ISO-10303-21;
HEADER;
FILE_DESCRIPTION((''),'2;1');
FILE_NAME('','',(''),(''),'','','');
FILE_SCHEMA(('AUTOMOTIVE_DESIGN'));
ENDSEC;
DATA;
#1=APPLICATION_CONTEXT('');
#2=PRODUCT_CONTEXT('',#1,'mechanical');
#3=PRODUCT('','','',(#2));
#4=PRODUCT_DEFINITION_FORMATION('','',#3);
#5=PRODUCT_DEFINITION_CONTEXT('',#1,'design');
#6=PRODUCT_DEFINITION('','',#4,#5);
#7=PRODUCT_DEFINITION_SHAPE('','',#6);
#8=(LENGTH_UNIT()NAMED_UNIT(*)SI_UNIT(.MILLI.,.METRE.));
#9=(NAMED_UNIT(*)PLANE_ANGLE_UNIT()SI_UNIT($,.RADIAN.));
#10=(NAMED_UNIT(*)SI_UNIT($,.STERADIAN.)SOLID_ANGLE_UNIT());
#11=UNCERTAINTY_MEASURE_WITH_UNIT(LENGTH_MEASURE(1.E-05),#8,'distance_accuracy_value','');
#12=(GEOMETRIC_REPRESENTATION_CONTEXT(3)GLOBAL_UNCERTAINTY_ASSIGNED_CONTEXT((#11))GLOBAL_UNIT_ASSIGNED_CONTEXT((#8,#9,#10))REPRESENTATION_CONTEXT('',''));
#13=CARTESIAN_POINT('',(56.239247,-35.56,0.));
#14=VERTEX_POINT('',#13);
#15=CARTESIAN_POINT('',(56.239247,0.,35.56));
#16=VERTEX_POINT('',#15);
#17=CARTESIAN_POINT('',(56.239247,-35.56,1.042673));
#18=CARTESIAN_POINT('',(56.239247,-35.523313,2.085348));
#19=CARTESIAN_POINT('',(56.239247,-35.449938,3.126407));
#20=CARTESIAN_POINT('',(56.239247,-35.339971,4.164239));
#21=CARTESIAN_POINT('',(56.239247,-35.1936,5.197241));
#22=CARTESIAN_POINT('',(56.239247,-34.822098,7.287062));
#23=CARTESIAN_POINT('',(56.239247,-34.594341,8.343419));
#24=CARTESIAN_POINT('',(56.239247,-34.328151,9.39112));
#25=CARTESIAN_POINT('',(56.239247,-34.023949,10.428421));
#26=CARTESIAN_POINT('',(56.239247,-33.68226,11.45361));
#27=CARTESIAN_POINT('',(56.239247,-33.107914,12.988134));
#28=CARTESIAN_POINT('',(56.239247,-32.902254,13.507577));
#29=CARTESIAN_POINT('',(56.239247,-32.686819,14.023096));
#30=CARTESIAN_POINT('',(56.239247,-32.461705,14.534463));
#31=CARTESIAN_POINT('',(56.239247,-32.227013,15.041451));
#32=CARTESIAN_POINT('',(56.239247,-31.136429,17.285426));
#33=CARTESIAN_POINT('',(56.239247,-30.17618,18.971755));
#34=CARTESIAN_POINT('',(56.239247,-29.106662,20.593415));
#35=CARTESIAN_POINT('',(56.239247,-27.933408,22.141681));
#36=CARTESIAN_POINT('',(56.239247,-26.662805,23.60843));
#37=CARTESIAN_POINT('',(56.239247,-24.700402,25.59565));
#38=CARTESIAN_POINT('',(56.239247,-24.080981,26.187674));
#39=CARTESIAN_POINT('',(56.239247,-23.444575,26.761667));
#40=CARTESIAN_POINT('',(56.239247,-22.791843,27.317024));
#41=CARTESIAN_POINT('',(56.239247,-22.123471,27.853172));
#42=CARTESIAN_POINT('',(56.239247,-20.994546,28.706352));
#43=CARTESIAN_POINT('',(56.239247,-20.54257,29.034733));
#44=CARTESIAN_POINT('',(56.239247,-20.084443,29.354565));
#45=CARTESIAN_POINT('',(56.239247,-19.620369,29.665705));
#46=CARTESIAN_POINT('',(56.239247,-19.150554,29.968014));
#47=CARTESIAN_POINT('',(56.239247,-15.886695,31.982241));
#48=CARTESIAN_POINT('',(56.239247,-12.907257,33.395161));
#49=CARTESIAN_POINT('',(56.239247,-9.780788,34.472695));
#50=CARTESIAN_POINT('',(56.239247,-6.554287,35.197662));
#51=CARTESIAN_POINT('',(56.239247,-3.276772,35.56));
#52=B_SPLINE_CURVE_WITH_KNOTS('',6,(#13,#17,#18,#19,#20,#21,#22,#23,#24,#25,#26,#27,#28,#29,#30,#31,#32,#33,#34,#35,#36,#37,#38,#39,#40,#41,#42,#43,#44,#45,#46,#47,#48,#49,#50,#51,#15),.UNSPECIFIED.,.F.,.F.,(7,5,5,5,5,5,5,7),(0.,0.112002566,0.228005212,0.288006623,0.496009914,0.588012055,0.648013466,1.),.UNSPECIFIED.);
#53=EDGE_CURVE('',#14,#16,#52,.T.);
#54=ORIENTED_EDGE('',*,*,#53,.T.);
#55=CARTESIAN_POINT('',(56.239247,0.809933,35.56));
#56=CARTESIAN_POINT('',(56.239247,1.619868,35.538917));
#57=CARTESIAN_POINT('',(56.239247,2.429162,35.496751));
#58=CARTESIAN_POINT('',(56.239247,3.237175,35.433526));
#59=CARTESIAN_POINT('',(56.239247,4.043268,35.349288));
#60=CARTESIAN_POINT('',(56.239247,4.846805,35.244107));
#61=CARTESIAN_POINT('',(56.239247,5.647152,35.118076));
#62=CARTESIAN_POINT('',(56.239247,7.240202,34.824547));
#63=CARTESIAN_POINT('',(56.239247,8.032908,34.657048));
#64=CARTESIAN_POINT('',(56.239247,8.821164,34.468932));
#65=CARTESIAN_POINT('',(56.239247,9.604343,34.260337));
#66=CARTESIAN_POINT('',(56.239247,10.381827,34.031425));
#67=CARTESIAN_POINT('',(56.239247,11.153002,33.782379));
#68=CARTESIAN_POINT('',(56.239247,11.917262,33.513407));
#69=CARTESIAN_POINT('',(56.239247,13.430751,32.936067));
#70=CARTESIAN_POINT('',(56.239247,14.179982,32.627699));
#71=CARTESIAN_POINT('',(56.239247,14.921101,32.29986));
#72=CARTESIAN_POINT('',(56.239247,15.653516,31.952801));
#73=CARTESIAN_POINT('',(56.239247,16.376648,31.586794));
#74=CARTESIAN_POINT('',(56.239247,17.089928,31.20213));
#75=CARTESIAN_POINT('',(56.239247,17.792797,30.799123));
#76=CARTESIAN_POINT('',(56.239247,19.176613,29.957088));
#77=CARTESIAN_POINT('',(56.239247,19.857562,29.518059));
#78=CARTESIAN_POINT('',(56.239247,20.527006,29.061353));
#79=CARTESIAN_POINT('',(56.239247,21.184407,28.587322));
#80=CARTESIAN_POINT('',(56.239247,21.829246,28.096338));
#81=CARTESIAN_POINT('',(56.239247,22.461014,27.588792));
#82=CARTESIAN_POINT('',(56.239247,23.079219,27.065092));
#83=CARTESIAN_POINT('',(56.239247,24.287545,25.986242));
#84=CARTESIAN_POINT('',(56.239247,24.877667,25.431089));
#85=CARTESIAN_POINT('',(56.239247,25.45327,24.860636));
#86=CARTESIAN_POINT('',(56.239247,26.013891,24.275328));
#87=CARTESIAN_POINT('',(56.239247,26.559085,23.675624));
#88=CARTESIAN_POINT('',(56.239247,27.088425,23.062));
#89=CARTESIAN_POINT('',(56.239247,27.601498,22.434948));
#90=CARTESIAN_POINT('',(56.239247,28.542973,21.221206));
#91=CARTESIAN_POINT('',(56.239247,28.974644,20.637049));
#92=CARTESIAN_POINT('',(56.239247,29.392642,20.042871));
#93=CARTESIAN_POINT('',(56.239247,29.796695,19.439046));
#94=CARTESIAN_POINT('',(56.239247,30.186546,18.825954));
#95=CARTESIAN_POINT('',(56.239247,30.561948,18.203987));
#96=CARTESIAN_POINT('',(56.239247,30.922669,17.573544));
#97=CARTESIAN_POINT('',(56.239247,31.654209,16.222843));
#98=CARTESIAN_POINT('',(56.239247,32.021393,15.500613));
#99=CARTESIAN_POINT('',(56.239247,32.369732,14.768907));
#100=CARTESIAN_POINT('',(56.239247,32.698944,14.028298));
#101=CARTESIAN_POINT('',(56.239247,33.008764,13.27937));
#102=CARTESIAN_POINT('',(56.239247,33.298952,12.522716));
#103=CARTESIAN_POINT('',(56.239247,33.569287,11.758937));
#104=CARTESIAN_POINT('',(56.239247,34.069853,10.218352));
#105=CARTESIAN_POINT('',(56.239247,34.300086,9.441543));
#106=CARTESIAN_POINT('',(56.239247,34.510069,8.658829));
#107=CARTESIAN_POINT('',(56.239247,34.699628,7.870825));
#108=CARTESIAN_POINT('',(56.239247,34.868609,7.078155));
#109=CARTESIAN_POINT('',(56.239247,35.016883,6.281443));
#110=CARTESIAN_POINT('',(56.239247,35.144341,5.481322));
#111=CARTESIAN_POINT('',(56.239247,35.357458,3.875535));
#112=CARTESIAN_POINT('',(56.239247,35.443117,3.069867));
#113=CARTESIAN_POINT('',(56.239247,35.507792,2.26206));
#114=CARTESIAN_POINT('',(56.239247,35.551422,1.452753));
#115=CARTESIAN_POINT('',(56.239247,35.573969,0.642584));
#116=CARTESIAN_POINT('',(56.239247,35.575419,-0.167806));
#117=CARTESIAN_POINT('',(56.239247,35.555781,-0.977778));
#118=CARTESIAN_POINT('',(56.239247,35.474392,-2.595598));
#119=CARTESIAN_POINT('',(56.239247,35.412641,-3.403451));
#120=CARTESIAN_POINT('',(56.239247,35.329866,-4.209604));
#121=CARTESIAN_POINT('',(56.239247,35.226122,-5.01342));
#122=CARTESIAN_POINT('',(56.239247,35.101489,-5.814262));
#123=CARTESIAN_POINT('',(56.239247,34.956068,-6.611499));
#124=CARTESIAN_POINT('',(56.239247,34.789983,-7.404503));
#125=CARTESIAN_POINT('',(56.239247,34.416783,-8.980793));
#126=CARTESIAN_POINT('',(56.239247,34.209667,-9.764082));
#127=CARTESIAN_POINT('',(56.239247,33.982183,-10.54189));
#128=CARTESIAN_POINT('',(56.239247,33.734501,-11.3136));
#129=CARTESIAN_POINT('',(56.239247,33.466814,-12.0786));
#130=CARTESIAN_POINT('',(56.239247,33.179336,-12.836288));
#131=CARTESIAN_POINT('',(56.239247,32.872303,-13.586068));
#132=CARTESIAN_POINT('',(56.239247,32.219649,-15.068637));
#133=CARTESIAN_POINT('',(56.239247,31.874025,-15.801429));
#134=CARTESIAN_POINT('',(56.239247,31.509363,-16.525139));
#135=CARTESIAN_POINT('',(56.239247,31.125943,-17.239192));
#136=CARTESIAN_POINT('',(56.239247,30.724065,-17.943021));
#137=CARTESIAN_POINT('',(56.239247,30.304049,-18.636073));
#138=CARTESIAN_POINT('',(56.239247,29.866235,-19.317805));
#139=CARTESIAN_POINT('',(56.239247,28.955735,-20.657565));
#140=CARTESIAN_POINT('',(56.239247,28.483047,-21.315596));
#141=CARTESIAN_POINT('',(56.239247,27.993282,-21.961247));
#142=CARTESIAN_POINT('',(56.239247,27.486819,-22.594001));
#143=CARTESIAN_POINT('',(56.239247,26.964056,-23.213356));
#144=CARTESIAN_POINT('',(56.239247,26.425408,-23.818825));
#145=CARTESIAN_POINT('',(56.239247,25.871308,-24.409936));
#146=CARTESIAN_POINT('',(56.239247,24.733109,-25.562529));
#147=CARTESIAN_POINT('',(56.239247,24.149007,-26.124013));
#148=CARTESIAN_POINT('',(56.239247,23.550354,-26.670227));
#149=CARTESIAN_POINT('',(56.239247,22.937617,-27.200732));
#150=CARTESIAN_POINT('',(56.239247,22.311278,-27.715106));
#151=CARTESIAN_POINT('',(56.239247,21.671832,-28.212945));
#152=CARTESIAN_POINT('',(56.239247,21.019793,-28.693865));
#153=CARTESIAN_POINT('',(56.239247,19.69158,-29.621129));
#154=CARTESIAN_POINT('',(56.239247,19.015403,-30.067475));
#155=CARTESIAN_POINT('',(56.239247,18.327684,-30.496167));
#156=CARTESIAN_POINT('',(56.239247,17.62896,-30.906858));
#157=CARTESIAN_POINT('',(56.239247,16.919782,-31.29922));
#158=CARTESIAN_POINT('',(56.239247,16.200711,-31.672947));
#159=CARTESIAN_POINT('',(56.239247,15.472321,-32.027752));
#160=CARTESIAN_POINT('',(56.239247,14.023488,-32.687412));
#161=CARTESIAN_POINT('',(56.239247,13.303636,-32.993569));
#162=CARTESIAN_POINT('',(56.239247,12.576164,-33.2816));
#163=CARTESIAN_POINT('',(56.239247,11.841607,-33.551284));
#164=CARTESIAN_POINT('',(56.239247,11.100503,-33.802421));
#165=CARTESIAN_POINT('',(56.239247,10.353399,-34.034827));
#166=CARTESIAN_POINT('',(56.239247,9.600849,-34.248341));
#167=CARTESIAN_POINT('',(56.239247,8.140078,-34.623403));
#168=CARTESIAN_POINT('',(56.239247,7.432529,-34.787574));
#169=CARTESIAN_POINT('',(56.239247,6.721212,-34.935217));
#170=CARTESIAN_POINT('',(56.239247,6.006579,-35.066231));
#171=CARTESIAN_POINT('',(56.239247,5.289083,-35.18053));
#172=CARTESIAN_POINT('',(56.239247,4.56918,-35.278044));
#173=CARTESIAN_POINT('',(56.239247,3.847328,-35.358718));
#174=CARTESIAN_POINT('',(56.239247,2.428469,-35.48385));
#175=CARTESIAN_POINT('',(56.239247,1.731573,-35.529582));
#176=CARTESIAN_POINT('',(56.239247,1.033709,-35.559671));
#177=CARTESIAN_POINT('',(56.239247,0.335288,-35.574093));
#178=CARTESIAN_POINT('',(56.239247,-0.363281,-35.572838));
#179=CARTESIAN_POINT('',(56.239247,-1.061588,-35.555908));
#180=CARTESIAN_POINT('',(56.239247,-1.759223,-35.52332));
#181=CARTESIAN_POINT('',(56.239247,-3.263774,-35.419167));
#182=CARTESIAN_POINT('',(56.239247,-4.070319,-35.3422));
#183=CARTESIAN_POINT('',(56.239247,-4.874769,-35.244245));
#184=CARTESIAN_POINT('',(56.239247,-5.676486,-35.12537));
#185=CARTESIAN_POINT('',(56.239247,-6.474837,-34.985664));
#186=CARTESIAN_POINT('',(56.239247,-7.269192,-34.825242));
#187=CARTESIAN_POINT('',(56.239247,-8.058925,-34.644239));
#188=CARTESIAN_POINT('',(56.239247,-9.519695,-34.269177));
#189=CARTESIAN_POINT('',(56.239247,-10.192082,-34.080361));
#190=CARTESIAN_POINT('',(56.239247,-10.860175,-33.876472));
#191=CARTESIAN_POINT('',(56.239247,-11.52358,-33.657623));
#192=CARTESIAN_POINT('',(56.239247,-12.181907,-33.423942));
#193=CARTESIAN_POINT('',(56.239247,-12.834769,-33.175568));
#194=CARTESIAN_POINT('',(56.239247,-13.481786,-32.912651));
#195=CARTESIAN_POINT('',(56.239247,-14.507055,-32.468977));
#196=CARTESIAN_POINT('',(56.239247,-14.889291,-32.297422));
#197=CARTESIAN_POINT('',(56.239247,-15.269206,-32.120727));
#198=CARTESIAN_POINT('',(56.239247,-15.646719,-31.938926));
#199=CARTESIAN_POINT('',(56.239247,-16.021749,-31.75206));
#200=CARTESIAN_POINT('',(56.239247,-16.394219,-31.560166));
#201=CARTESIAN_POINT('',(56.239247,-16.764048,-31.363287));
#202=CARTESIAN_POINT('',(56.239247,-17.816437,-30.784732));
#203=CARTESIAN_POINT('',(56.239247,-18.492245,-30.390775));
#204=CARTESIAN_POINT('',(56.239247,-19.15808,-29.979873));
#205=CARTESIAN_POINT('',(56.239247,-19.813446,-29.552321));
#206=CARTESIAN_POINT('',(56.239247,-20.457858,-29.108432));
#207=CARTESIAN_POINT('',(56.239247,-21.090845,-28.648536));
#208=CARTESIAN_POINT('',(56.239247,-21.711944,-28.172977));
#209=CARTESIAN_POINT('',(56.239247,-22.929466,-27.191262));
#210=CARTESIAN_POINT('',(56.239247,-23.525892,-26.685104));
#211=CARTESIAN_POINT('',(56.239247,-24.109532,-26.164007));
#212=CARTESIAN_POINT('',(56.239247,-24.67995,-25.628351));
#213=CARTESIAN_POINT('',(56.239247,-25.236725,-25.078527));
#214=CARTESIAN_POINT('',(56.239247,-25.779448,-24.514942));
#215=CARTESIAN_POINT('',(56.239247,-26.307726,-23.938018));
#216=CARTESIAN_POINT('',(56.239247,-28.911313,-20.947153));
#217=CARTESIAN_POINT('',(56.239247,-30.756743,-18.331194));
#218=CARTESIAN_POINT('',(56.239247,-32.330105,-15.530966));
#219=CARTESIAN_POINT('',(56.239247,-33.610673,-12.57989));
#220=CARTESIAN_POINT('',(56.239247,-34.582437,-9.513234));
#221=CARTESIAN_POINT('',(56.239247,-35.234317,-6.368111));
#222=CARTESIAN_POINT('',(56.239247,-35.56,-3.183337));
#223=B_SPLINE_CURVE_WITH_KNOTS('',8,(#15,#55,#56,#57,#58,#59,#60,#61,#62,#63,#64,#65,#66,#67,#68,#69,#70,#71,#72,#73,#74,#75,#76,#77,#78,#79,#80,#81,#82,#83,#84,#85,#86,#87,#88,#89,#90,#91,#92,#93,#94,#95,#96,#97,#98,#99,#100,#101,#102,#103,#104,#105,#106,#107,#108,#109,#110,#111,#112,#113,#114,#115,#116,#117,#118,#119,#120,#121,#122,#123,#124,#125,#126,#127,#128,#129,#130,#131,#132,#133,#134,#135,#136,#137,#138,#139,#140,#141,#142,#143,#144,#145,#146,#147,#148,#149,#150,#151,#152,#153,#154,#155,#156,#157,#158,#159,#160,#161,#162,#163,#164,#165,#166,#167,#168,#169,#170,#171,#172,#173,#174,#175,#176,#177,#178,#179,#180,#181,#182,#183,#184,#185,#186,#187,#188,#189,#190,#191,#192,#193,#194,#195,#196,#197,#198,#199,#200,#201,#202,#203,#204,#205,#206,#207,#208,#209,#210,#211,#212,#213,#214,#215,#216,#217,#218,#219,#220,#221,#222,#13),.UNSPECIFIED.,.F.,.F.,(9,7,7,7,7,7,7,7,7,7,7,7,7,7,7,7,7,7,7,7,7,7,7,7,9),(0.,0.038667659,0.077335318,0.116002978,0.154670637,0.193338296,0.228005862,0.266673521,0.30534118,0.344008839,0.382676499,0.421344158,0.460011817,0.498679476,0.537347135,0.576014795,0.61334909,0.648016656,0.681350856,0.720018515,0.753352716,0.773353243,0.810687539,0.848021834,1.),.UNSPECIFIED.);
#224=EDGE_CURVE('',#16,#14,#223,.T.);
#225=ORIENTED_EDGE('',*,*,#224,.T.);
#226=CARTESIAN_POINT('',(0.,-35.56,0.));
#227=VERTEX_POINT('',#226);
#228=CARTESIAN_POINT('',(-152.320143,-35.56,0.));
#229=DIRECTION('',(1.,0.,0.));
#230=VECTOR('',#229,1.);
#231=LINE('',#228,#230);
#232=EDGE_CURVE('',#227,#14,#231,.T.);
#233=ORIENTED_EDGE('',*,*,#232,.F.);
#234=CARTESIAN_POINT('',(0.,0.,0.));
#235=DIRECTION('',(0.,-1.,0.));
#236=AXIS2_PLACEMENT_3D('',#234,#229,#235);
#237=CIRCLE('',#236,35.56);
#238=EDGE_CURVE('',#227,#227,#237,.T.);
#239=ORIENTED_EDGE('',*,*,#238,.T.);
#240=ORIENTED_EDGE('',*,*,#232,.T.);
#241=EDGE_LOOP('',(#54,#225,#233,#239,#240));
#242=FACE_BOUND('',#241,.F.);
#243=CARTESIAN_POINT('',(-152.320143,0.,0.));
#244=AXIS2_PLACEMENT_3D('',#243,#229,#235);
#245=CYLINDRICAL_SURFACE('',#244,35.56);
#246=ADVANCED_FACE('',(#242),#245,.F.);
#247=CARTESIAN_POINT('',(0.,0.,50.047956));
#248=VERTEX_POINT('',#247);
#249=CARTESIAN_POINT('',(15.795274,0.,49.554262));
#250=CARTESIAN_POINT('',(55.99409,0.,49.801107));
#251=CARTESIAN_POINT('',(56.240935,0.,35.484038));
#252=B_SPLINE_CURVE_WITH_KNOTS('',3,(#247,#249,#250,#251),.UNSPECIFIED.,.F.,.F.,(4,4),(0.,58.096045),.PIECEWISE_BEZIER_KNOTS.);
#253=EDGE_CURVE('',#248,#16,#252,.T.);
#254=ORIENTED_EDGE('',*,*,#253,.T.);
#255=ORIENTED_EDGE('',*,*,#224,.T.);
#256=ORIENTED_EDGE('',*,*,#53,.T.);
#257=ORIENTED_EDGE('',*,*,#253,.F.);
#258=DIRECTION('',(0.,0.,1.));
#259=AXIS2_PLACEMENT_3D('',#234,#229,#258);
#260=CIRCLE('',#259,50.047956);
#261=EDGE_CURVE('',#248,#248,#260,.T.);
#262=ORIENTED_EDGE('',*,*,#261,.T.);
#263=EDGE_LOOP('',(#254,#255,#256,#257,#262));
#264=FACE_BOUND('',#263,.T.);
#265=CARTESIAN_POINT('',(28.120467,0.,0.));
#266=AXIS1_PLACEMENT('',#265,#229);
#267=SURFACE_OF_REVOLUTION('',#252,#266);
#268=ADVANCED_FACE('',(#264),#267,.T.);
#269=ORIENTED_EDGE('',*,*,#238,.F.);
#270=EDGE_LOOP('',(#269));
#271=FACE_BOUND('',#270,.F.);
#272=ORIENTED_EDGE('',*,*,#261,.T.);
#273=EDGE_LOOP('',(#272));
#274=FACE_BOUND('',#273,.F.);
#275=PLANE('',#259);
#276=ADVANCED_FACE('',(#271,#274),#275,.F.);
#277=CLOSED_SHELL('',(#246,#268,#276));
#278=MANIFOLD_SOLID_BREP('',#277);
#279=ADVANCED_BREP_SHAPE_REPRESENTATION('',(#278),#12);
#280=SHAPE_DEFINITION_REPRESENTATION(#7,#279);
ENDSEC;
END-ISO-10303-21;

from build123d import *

# Parameters (mm, degrees)
F3_D = 71.12


with BuildPart() as f1:
    # F0 (on Front) → F1 (revolve)
    with BuildSketch(Plane.XZ):
        with BuildLine():
            Line((0, 50.047956), (0, 0))
            Line((0, 0), (56.240935, 0))
            Line((56.240935, 0), (56.240935, 35.484038))
            add(Edge.make_bspline(
                [(0, 50.047956), (15.795274, 49.554262), (55.99409, 49.801107), (56.240935, 35.484038)],
                knots=[0, 0, 0, 0, 58.096045, 58.096045, 58.096045, 58.096045], degree=3))
        make_face()
    revolve(axis=Axis((28.120467, 0, 0), (1, 0, 0)))

    # F3 (through all)
    with Locations(Plane(origin=(0, 0, 0), x_dir=(0, 1, 0), z_dir=(-1, 0, 0))):
        with Locations((0, 0)):
            Hole(F3_D / 2)


solid = f1.part
